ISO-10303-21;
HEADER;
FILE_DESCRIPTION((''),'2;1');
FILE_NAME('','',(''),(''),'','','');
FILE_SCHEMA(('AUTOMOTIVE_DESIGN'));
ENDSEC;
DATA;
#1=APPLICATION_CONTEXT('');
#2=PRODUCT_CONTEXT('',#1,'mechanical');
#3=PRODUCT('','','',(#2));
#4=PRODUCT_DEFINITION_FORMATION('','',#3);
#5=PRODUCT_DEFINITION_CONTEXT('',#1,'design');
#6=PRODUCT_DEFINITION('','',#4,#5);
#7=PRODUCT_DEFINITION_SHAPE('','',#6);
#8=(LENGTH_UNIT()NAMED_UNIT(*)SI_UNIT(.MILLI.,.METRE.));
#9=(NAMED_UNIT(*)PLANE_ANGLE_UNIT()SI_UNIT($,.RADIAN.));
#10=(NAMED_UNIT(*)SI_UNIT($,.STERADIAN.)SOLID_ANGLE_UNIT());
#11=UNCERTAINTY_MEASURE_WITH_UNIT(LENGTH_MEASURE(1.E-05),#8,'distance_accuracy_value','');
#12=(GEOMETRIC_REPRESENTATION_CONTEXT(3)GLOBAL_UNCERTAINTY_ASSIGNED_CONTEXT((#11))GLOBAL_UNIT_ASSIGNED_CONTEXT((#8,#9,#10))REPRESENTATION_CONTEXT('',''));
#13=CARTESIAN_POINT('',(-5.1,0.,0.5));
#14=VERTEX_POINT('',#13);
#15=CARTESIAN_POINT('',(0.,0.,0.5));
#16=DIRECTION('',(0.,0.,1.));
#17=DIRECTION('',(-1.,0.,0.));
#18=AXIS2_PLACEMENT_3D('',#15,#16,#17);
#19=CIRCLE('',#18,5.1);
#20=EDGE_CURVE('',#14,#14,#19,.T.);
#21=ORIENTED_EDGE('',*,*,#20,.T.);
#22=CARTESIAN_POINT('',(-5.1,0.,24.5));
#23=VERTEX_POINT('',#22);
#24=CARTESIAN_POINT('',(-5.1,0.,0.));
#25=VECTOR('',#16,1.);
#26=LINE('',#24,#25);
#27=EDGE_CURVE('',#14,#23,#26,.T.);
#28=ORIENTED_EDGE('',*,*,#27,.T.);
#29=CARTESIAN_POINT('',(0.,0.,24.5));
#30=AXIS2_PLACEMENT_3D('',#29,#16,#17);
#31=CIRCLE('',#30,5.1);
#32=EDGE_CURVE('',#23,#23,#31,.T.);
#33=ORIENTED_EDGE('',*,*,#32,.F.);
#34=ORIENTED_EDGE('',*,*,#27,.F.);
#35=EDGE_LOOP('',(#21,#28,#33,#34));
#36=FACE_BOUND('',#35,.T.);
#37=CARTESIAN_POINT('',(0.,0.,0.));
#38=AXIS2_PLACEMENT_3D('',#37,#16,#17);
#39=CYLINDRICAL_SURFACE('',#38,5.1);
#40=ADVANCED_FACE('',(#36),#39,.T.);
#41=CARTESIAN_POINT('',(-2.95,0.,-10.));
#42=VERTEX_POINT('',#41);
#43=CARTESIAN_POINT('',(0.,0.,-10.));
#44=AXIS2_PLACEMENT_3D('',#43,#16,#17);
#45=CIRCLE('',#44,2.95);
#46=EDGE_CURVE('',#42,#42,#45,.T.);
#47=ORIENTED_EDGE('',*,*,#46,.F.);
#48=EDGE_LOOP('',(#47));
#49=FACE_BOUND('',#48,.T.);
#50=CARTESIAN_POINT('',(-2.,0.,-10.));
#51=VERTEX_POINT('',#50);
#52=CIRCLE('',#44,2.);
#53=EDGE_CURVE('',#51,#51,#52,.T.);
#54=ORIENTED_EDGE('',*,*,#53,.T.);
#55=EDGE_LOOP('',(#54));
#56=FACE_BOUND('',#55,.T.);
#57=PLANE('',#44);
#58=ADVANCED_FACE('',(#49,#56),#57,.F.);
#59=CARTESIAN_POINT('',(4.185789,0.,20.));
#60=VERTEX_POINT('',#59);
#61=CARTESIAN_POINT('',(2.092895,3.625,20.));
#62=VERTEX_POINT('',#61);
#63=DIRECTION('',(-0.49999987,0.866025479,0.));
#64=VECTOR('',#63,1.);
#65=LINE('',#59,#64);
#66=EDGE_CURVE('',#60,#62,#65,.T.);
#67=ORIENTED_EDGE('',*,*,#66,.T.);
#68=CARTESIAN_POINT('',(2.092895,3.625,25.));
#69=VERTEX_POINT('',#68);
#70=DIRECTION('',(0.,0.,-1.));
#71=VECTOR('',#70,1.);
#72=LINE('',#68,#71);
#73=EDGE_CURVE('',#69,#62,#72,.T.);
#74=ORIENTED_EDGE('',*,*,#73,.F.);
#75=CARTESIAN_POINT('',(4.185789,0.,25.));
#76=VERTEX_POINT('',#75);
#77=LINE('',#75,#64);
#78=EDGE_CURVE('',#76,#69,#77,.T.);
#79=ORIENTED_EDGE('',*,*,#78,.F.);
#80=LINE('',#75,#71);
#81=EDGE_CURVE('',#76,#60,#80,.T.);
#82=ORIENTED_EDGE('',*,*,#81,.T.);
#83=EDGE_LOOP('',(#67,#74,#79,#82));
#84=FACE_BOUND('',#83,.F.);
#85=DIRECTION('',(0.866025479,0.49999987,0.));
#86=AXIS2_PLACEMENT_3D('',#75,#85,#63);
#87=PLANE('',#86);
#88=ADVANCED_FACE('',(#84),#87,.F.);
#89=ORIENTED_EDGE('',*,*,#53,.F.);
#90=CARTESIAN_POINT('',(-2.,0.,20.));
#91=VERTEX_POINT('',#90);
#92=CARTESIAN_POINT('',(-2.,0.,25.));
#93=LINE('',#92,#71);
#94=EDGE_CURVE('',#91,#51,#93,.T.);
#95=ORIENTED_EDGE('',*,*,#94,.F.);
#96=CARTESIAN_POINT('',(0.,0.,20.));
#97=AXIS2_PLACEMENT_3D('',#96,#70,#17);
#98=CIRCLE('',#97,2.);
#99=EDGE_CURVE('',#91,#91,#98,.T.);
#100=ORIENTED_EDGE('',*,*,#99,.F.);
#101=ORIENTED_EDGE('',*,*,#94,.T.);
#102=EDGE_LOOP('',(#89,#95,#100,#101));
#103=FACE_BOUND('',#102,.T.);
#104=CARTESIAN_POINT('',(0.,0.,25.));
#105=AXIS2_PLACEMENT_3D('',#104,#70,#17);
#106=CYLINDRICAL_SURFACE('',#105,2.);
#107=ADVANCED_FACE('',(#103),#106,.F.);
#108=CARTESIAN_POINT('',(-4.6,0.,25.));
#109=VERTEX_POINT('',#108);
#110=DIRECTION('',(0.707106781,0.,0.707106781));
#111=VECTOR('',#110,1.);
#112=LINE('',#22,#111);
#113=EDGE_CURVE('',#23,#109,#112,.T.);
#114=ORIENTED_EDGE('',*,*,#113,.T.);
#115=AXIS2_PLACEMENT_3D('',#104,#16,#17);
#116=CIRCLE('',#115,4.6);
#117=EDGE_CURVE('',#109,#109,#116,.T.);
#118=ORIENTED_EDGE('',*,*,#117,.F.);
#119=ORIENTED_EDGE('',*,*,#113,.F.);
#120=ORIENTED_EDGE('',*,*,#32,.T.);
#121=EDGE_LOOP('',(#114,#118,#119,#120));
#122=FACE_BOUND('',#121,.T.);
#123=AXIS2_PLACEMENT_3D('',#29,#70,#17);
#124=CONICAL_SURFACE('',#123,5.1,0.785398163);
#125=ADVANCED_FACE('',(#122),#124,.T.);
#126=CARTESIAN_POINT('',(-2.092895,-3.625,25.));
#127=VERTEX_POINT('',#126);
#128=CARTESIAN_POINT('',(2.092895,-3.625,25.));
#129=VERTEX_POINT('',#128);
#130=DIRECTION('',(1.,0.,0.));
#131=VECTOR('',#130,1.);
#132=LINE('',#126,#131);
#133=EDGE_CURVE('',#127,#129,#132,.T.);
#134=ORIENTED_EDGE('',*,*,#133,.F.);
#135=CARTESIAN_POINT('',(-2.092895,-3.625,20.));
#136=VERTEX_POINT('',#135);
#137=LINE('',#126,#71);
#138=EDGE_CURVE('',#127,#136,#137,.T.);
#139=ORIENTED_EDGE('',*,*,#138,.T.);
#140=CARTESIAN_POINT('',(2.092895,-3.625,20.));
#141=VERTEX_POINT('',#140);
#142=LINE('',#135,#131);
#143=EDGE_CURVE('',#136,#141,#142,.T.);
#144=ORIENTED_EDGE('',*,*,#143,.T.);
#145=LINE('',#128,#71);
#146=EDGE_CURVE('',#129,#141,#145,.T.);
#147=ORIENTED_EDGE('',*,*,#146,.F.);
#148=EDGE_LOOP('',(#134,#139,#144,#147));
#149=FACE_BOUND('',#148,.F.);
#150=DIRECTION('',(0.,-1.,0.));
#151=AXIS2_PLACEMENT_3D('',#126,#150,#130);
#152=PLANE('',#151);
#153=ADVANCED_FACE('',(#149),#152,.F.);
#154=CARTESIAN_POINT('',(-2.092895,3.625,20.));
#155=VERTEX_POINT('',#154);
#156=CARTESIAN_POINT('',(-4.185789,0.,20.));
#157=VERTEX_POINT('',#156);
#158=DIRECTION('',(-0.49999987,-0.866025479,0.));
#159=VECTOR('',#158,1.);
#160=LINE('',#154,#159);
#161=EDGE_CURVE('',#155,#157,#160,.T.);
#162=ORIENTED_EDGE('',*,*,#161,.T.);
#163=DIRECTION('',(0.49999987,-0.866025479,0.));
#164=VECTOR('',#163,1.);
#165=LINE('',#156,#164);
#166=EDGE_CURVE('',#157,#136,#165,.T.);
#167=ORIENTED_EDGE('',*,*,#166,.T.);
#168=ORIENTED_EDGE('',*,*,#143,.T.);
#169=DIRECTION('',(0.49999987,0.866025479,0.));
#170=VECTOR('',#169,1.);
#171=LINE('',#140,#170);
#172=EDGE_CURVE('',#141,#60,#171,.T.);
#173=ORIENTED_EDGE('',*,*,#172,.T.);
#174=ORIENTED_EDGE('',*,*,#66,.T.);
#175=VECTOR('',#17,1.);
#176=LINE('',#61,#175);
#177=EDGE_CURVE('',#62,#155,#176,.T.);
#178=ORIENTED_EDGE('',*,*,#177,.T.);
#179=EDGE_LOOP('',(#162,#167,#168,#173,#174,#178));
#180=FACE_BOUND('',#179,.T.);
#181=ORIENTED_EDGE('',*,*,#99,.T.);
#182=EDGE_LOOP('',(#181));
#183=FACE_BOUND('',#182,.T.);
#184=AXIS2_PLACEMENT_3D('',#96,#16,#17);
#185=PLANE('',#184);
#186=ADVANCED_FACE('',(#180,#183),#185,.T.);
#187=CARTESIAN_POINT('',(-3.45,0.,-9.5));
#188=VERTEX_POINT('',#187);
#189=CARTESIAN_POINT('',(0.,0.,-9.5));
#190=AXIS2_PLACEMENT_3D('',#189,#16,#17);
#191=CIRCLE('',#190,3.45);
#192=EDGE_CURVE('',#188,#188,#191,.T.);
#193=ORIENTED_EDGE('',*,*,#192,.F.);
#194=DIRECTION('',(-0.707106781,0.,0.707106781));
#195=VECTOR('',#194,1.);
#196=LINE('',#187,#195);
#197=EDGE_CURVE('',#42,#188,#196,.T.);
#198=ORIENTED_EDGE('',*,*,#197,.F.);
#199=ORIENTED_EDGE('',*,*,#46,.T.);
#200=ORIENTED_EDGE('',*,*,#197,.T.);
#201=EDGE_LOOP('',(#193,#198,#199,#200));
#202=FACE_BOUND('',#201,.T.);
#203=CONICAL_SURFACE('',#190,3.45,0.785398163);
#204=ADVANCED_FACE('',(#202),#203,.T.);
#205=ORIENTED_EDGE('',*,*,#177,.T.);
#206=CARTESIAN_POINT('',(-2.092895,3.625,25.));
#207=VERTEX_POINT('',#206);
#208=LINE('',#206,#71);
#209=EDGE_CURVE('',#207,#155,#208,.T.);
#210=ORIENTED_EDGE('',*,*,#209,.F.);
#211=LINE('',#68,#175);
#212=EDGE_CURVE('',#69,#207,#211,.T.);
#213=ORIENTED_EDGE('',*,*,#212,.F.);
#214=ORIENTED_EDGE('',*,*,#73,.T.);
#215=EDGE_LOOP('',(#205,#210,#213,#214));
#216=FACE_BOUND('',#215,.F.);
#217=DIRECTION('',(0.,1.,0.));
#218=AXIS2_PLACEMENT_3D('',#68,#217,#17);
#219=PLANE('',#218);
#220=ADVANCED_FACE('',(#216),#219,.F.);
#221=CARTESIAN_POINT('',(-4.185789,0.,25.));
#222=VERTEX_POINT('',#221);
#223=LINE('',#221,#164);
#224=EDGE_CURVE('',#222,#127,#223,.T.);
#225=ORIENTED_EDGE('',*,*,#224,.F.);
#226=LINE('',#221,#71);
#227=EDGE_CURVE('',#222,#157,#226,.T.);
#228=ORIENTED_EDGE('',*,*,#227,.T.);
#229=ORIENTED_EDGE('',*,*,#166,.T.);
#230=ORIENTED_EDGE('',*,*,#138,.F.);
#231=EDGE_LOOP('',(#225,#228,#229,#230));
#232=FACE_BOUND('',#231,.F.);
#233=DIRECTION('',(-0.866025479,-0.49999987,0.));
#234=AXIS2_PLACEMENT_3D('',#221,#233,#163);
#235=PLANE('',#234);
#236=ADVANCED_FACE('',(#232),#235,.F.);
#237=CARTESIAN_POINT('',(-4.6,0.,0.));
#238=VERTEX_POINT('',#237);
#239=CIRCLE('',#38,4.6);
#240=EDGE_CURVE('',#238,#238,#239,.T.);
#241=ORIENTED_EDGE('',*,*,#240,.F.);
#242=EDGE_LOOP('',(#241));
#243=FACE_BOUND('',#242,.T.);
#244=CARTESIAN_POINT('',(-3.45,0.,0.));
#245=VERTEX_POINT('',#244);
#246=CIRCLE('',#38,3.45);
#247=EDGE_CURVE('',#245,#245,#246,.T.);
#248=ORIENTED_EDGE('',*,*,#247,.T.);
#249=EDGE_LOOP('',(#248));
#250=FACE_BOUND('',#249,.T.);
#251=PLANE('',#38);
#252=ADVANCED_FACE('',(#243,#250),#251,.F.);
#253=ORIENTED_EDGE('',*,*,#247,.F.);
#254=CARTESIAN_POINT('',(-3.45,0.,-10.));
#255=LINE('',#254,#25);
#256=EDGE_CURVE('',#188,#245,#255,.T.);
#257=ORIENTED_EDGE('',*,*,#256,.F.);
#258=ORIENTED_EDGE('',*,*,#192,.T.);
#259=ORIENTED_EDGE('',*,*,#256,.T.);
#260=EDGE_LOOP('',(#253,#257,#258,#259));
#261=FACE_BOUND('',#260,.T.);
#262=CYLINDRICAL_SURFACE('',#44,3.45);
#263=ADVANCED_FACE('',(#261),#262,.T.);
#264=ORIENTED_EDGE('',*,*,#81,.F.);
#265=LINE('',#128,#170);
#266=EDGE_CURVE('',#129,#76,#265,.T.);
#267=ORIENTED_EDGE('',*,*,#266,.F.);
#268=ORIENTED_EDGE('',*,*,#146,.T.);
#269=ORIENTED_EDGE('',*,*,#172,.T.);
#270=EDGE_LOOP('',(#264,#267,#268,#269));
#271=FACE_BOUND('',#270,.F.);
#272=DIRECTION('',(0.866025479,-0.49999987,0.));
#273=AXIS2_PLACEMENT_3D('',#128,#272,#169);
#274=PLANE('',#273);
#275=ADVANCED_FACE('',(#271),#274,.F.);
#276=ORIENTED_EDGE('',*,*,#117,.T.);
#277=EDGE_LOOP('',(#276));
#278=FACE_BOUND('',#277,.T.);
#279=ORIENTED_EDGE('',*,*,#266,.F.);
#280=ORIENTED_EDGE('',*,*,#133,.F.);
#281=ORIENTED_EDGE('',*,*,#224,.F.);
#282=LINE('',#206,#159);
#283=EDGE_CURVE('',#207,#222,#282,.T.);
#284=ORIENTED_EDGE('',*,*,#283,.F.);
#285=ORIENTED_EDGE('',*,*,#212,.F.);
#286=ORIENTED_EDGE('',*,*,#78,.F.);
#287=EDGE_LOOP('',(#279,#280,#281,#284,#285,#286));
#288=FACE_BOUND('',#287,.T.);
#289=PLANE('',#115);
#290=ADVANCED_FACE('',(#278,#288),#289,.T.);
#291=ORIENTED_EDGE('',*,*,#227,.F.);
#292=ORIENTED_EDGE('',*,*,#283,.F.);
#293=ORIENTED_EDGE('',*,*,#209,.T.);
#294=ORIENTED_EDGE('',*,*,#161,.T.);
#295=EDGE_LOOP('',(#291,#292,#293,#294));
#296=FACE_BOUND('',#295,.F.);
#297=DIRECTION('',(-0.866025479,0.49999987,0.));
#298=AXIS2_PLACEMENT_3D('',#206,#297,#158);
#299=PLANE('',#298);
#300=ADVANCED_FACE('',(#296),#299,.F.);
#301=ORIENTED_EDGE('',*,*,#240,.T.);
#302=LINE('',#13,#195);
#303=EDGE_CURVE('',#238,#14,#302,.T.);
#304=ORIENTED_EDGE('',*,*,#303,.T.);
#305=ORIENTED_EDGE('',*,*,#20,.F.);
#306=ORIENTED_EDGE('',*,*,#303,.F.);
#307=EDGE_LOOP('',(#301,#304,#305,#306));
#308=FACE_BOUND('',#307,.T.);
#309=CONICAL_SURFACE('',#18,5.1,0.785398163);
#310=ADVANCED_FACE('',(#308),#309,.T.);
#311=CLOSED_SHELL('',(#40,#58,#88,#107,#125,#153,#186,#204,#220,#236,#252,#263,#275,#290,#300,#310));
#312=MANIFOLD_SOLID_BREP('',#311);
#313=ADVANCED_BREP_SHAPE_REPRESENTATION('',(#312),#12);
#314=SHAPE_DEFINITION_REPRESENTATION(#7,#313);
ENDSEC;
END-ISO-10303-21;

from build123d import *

# Parameters (mm, degrees)
POCKET_DEPTH = 5
CHAMFER_SIZE = 0.5


with BuildPart() as part:
    # Sketch → Revolution (revolve)
    with BuildSketch(Plane.XZ):
        Polygon((-2, -10), (-3.45, -10), (-3.45, 0), (-5.1, 0), (-5.1, 25), (-2, 25), align=None)
    revolve(axis=Axis((0, 0, 0), (0, 0, 1)))

    # Sketch001 (on Face5 of Revolution) → Pocket (cut)
    with BuildSketch(Plane(origin=(0, 0, 25), x_dir=(-1, 0, 0), z_dir=(0, 0, 1))):
        Polygon((2.092895, -3.625), (4.185789, 0), (2.092895, 3.625), (-2.092895, 3.625), (-4.185789, 0), (-2.092895, -3.625), align=None)
    extrude(amount=-POCKET_DEPTH, mode=Mode.SUBTRACT)

    # Chamfer
    chamfer_edges = [part.edges().sort_by_distance(p)[0] for p in [
        (3.45, 0, -10),
        (5.1, 0, 0),
        (5.1, 0, 25),
    ]]
    chamfer(chamfer_edges, length=CHAMFER_SIZE)


solid = part.part
